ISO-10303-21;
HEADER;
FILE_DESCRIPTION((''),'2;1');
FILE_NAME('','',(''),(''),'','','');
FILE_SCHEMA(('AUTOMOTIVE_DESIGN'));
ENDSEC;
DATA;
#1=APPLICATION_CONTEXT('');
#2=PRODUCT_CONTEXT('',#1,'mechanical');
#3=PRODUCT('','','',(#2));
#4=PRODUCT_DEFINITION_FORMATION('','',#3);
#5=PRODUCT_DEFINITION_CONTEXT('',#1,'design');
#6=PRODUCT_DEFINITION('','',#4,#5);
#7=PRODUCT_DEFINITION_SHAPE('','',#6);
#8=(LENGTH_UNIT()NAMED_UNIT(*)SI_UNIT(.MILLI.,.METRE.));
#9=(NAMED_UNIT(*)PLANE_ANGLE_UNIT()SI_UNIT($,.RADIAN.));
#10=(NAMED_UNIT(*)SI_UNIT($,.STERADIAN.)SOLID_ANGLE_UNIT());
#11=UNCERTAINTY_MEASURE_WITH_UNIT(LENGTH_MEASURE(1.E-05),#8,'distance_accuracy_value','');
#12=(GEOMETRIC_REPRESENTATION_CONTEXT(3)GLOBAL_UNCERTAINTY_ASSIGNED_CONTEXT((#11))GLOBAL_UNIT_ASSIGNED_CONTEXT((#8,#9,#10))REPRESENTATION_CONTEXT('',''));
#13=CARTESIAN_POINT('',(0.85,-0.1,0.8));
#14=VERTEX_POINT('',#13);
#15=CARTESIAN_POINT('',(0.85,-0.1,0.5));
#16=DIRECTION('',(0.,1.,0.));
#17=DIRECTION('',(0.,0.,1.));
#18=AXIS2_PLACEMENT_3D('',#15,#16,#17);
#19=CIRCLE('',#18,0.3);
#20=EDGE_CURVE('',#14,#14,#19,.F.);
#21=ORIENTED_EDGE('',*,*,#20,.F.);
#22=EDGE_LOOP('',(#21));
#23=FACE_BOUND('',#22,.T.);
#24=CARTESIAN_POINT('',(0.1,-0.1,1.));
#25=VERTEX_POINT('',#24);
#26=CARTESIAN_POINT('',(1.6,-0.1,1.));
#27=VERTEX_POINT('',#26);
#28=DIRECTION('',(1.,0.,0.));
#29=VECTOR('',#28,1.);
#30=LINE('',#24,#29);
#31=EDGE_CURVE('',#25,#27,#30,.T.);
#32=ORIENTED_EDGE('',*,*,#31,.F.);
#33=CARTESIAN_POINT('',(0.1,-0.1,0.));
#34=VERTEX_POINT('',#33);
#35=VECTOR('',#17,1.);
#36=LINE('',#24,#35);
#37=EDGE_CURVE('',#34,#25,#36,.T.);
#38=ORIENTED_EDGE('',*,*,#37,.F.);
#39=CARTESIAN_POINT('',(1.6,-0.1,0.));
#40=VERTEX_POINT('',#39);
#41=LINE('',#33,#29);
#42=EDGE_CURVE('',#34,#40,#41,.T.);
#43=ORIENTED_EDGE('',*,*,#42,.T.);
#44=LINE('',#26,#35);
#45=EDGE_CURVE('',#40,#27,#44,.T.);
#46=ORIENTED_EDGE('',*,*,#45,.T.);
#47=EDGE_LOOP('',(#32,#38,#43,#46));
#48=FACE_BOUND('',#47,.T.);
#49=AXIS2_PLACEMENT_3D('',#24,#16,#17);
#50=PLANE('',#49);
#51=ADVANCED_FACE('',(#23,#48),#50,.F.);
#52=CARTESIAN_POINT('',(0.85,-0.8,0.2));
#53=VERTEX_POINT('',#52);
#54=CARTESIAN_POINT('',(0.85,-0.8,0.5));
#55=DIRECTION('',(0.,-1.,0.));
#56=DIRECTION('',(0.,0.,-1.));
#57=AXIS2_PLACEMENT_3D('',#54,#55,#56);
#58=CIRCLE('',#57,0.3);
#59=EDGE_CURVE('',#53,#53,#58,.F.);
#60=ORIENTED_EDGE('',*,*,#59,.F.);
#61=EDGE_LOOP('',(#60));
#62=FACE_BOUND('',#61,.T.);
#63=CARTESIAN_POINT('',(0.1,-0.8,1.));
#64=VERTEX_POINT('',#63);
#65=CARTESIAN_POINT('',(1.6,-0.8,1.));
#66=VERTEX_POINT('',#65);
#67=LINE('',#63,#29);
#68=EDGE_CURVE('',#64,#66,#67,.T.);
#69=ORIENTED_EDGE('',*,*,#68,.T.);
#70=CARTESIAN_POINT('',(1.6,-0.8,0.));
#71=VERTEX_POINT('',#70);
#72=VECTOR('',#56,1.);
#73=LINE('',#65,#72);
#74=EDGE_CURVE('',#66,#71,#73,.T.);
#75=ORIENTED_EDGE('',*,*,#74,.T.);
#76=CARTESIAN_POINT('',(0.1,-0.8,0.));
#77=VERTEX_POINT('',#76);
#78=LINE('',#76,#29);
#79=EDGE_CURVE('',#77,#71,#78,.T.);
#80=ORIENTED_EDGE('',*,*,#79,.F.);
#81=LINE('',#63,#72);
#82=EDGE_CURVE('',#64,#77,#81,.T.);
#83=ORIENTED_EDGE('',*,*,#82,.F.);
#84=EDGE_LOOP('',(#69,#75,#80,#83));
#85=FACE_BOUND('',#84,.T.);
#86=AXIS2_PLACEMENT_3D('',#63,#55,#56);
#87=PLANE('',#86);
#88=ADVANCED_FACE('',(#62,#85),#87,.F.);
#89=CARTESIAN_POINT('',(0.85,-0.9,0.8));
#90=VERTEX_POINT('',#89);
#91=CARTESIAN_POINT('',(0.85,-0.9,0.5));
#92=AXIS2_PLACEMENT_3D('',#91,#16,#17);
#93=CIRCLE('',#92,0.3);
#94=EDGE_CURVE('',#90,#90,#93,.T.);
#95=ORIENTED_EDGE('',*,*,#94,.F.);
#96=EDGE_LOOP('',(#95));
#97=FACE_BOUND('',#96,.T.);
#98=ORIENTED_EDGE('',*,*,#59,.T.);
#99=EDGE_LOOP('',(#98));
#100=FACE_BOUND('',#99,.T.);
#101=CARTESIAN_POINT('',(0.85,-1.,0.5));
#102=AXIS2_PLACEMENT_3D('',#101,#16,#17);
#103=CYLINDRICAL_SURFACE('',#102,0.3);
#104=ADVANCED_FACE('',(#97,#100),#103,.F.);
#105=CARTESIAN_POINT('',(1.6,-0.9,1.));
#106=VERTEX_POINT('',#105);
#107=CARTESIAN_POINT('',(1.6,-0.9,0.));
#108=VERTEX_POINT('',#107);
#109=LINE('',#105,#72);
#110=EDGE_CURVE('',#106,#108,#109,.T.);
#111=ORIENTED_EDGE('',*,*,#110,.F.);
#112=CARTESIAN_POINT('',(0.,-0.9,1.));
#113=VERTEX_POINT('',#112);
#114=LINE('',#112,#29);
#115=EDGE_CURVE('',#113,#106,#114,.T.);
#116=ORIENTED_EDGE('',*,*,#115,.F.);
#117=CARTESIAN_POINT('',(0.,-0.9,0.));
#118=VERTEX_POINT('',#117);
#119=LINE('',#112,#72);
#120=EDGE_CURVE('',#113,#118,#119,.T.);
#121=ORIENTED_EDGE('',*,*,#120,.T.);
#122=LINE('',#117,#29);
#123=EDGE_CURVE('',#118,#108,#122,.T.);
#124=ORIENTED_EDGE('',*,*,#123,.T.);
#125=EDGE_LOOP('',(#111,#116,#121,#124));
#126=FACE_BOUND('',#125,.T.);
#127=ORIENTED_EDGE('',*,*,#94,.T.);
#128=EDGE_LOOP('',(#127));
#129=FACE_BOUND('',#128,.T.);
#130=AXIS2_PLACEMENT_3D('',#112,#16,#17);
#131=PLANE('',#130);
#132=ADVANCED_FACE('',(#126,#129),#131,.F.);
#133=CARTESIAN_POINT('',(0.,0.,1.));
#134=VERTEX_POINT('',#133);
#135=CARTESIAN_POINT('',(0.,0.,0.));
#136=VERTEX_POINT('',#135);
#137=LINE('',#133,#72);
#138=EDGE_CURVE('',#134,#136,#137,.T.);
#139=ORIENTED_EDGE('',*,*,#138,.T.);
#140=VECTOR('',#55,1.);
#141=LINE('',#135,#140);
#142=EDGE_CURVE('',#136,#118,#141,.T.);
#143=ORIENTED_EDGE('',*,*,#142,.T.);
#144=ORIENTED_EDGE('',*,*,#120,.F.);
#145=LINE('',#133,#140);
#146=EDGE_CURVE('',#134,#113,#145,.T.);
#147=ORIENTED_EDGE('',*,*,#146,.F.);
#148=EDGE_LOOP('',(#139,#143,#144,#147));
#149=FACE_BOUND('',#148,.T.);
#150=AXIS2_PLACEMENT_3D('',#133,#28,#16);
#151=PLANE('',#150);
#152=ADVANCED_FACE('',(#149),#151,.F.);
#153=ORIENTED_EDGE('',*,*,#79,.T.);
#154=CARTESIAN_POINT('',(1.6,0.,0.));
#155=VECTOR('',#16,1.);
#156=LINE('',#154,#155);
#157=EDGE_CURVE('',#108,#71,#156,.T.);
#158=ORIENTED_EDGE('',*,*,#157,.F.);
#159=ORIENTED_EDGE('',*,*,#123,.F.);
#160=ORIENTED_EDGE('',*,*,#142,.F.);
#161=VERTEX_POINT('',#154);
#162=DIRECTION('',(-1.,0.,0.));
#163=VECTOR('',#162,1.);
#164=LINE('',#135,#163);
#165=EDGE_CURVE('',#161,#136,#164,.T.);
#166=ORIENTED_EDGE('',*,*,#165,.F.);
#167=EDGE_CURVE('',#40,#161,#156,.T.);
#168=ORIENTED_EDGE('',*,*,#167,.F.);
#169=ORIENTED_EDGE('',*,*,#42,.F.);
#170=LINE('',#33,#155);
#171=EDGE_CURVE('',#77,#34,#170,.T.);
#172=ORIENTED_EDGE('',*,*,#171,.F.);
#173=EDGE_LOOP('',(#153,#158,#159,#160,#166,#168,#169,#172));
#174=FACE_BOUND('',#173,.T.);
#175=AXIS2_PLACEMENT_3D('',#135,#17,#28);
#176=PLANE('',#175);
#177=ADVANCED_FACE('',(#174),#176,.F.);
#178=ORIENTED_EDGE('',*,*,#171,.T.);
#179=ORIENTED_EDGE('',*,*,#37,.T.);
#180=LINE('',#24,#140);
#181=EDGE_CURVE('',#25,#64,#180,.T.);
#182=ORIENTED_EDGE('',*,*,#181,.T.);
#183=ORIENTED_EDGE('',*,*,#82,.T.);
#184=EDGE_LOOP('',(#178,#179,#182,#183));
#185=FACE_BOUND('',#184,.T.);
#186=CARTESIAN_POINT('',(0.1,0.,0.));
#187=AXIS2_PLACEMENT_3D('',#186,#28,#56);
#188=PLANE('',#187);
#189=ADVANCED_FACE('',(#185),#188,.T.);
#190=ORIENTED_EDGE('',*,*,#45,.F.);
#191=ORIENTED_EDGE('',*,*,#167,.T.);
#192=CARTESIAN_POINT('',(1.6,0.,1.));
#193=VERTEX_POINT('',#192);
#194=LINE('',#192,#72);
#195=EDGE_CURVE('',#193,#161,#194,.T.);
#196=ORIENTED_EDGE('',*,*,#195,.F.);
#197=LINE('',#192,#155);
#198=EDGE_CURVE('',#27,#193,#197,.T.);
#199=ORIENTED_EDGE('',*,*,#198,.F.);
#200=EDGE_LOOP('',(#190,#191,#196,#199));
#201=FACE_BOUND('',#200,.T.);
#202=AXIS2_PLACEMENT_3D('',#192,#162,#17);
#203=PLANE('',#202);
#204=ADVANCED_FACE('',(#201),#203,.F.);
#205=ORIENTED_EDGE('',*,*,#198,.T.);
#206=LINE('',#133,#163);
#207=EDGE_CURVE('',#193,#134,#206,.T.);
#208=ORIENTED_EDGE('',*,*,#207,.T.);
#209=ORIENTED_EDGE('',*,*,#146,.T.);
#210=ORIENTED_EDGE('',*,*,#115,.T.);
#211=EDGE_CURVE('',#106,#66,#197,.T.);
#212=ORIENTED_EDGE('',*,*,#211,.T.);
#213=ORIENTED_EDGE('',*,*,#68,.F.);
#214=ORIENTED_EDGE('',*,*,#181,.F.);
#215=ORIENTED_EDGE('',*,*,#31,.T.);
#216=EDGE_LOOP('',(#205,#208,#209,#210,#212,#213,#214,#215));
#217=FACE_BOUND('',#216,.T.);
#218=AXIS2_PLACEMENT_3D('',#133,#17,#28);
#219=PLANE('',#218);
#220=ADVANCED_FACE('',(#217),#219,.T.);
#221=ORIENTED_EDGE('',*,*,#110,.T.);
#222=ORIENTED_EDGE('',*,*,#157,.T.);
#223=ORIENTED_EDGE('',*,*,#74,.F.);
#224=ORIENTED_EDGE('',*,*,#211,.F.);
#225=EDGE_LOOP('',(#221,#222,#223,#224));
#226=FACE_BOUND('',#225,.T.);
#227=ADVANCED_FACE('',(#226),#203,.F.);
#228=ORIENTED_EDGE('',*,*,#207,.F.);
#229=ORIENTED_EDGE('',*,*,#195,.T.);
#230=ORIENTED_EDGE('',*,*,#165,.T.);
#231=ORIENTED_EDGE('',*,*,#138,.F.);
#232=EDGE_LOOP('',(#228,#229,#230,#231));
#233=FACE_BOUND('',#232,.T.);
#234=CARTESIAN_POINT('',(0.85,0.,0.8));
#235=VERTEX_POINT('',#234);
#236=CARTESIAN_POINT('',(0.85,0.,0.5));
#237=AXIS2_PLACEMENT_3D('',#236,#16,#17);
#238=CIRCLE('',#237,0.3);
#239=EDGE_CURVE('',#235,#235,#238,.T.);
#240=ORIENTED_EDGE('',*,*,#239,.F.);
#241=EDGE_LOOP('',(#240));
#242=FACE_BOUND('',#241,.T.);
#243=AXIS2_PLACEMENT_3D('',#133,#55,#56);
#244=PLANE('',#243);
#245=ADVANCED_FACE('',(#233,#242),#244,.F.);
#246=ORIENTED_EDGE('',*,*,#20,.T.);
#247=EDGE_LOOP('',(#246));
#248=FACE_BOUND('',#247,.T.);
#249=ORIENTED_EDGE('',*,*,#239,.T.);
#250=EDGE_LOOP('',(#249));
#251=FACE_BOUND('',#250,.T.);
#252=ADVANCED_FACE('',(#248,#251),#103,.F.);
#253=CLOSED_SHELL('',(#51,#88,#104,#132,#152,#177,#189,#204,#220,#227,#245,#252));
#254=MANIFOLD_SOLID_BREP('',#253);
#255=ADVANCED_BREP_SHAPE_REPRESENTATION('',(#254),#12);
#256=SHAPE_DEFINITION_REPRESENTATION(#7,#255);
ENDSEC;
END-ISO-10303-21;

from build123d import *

# Parameters (mm, degrees)
SKETCH4_W           = 1.6
SKETCH4_H           = 0.9
BOSS_EXTRUDE3_DEPTH = 1
SKETCH6_R           = 0.3
CUT_EXTRUDE2_DEPTH  = 1
SKETCH7_W           = 1
SKETCH7_H           = 0.7
CUT_EXTRUDE3_DEPTH  = 1.5


with BuildPart() as part:
    # Sketch4 → Boss-Extrude3 (new body)
    with BuildSketch(Plane.XY):
        with Locations((0.8, -0.45)):
            Rectangle(SKETCH4_W, SKETCH4_H)
    extrude(amount=BOSS_EXTRUDE3_DEPTH)

    # Sketch6 → Cut-Extrude2 (cut)
    with BuildSketch(Plane(origin=(0, 0, 0), x_dir=(1, 0, 0), z_dir=(0, 1, 0))):
        with Locations((0.85, -0.5)):
            Circle(SKETCH6_R)
    extrude(amount=-CUT_EXTRUDE2_DEPTH, mode=Mode.SUBTRACT)

    # Sketch7 → Cut-Extrude3 (cut)
    with BuildSketch(Plane(origin=(1.6, 0, 0), x_dir=(0, 0, -1), z_dir=(1, 0, 0))):
        with Locations((-0.5, -0.45)):
            Rectangle(SKETCH7_W, SKETCH7_H)
    extrude(amount=-CUT_EXTRUDE3_DEPTH, mode=Mode.SUBTRACT)


solid = part.part
